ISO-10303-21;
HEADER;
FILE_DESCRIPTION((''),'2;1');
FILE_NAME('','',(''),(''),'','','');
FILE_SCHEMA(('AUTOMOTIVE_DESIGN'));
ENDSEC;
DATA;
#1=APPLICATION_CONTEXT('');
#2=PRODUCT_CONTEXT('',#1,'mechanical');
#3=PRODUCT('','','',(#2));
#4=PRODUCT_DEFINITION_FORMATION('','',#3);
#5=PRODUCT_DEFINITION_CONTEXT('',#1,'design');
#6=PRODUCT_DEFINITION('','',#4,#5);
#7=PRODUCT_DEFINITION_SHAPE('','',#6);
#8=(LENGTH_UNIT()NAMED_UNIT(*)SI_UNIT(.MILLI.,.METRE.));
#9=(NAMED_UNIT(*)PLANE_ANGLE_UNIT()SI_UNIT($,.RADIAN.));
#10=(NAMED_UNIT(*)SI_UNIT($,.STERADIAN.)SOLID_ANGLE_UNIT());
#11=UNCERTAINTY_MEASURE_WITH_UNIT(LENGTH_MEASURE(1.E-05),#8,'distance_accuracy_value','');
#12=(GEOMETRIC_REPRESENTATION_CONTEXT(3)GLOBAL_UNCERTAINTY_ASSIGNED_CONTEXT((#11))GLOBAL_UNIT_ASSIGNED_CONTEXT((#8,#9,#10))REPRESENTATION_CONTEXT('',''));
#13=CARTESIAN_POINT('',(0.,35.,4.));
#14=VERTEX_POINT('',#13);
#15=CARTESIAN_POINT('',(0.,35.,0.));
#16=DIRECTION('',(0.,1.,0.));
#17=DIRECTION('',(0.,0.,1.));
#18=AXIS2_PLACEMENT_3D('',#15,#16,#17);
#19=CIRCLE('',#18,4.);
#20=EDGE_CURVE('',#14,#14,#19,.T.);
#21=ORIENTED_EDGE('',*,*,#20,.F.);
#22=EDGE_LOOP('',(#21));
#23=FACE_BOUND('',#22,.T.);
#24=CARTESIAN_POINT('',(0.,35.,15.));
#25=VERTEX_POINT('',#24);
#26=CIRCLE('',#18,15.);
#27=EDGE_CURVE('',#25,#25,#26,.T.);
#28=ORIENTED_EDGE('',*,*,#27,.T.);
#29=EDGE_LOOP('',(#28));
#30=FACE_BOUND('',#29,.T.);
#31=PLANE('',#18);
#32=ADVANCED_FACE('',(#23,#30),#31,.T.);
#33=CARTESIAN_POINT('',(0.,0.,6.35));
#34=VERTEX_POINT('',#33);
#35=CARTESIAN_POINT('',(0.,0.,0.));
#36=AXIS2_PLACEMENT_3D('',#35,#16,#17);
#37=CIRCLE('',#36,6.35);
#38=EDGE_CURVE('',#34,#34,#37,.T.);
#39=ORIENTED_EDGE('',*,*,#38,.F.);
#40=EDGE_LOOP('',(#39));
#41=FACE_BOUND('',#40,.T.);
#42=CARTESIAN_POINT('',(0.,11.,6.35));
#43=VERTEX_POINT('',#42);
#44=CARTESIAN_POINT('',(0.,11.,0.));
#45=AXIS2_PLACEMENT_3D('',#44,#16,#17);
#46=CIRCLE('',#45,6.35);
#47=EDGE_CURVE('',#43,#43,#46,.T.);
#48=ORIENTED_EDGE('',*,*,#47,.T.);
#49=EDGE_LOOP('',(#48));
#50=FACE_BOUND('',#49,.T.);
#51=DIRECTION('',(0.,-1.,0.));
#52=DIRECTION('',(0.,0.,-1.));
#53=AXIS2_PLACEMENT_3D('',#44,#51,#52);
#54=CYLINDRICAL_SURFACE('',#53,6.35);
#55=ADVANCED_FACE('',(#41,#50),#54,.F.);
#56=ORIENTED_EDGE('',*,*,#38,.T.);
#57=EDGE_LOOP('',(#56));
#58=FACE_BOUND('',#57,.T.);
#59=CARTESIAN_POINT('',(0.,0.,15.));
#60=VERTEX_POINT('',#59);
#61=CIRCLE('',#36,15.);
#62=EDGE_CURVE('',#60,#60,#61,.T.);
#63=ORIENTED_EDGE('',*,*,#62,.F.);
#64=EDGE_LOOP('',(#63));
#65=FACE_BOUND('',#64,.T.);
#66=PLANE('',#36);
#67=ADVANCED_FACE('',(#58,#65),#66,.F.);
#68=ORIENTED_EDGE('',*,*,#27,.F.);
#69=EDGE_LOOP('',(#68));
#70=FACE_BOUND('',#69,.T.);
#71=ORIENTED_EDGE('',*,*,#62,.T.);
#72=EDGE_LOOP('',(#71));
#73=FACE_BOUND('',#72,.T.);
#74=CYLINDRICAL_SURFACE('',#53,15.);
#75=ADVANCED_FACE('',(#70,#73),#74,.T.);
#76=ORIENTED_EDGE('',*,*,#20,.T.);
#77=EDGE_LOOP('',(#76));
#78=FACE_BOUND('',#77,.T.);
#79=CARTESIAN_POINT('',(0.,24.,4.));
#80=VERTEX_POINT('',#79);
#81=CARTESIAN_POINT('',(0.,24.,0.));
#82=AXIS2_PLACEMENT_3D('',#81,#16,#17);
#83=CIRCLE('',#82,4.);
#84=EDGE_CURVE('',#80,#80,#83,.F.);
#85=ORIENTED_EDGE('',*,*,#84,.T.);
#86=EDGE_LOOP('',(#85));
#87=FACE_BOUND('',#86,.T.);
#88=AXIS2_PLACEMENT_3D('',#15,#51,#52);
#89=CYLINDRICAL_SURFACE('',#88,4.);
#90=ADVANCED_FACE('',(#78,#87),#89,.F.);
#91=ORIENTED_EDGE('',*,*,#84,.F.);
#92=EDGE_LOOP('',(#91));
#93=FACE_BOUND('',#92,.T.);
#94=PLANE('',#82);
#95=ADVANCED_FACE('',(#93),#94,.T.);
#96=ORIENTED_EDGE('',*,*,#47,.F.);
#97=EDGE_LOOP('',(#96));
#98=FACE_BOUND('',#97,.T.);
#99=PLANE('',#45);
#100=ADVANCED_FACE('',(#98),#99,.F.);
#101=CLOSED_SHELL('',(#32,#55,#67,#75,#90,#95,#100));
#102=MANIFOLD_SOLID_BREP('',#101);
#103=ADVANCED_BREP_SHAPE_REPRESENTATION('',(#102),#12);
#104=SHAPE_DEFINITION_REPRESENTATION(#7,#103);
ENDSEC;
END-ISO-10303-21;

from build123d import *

# Parameters (mm, degrees)
SKETCH1_R           = 15
SKETCH1_R_2         = 6.35
BOSS_EXTRUDE1_DEPTH = 11
SKETCH2_R           = 15
BOSS_EXTRUDE2_DEPTH = 13
SKETCH3_R           = 15
SKETCH3_R_2         = 4
BOSS_EXTRUDE3_DEPTH = 11


with BuildPart() as part:
    # Sketch1 → Boss-Extrude1 (new body)
    with BuildSketch(Plane(origin=(0, 0, 0), x_dir=(1, 0, 0), z_dir=(0, 1, 0))):
        with Locations(Location((0, 0, 0), (0, 0, 270))):
            Circle(SKETCH1_R)
        with Locations(Location((0, 0, 0), (0, 0, 270))):
            Circle(SKETCH1_R_2, mode=Mode.SUBTRACT)
    extrude(amount=BOSS_EXTRUDE1_DEPTH)

    # Sketch2 → Boss-Extrude2 (add)
    with BuildSketch(Plane(origin=(0, 11, 0), x_dir=(1, 0, 0), z_dir=(0, 1, 0))):
        with Locations(Location((0, 0, 0), (0, 0, 270))):
            Circle(SKETCH2_R)
    extrude(amount=BOSS_EXTRUDE2_DEPTH)

    # Sketch3 → Boss-Extrude3 (add)
    with BuildSketch(Plane(origin=(0, 24, 0), x_dir=(1, 0, 0), z_dir=(0, 1, 0))):
        with Locations(Location((0, 0, 0), (0, 0, 270))):
            Circle(SKETCH3_R)
        with Locations(Location((0, 0, 0), (0, 0, 270))):
            Circle(SKETCH3_R_2, mode=Mode.SUBTRACT)
    extrude(amount=BOSS_EXTRUDE3_DEPTH)


solid = part.part
